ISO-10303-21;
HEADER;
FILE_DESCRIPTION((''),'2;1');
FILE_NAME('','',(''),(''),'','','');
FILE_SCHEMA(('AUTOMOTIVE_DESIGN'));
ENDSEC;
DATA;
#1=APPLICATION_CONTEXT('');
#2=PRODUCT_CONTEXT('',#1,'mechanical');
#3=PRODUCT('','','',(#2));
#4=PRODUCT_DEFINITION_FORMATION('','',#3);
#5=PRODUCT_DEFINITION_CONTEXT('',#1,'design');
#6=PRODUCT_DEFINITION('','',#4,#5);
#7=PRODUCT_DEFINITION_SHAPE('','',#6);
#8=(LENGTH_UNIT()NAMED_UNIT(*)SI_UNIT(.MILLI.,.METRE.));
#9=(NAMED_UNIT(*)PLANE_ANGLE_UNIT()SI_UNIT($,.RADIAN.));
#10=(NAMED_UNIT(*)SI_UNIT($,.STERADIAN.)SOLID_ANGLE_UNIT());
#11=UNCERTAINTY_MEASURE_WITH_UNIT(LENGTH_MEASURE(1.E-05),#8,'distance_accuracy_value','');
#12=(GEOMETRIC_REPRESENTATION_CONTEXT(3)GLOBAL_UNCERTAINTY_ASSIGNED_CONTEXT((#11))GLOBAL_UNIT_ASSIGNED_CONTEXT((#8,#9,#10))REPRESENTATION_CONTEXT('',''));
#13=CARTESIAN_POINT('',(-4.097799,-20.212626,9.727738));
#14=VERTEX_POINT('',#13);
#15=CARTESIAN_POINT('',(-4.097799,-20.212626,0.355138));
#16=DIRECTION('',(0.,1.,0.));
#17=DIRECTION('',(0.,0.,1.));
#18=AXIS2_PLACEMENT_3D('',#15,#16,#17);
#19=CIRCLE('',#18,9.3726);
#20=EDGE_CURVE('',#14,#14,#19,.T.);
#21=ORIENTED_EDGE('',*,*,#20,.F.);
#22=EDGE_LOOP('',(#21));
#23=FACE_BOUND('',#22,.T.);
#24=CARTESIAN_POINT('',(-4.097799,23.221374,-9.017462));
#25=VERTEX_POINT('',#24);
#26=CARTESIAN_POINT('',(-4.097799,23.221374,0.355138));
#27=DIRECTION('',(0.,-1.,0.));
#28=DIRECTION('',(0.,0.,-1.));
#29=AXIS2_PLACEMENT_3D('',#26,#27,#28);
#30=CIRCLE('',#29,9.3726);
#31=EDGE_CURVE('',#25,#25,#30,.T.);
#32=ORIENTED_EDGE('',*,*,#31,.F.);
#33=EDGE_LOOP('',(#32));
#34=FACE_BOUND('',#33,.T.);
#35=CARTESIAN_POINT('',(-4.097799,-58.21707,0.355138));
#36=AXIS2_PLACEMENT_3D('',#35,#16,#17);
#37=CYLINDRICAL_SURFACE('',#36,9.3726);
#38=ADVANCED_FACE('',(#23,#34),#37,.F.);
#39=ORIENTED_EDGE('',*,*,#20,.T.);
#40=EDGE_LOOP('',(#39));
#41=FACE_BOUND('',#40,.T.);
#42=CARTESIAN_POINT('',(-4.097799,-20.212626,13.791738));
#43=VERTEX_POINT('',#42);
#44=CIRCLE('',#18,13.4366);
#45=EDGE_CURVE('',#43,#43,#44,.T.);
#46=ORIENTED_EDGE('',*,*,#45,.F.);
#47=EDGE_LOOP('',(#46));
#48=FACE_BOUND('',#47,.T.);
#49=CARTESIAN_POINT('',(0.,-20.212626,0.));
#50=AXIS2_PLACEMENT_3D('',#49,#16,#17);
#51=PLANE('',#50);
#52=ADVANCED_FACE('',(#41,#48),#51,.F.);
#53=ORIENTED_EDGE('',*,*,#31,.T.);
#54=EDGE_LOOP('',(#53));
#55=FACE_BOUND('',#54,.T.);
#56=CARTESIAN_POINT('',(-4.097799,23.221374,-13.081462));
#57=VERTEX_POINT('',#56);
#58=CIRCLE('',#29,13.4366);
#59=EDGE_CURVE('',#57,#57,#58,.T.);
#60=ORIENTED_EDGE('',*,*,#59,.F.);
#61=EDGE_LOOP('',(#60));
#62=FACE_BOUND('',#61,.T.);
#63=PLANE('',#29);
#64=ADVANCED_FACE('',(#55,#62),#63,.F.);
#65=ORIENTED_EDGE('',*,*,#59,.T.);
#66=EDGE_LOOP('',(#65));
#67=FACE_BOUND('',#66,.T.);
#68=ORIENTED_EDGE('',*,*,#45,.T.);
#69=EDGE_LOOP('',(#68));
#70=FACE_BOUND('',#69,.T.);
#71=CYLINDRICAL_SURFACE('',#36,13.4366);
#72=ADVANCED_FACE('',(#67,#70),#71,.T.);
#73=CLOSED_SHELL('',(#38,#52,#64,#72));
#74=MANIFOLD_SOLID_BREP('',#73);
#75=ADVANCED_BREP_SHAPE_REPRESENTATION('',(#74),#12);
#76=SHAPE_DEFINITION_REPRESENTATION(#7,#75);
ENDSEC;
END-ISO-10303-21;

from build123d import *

# Parameters (mm, degrees)
SKETCH1_R           = 13.4366
SKETCH1_R_2         = 9.3726
BOSS_EXTRUDE1_DEPTH = 43.434


with BuildPart() as part:
    # Sketch1 → Boss-Extrude1 (new body)
    with BuildSketch(Plane.XZ.offset(-23.221373855)):
        with Locations(Location((-4.097798817, 0.355137676, 0), (0, 0, 90))):
            Circle(SKETCH1_R)
        with Locations(Location((-4.097798817, 0.355137676, 0), (0, 0, 90))):
            Circle(SKETCH1_R_2, mode=Mode.SUBTRACT)
    extrude(amount=BOSS_EXTRUDE1_DEPTH)


solid = part.part
